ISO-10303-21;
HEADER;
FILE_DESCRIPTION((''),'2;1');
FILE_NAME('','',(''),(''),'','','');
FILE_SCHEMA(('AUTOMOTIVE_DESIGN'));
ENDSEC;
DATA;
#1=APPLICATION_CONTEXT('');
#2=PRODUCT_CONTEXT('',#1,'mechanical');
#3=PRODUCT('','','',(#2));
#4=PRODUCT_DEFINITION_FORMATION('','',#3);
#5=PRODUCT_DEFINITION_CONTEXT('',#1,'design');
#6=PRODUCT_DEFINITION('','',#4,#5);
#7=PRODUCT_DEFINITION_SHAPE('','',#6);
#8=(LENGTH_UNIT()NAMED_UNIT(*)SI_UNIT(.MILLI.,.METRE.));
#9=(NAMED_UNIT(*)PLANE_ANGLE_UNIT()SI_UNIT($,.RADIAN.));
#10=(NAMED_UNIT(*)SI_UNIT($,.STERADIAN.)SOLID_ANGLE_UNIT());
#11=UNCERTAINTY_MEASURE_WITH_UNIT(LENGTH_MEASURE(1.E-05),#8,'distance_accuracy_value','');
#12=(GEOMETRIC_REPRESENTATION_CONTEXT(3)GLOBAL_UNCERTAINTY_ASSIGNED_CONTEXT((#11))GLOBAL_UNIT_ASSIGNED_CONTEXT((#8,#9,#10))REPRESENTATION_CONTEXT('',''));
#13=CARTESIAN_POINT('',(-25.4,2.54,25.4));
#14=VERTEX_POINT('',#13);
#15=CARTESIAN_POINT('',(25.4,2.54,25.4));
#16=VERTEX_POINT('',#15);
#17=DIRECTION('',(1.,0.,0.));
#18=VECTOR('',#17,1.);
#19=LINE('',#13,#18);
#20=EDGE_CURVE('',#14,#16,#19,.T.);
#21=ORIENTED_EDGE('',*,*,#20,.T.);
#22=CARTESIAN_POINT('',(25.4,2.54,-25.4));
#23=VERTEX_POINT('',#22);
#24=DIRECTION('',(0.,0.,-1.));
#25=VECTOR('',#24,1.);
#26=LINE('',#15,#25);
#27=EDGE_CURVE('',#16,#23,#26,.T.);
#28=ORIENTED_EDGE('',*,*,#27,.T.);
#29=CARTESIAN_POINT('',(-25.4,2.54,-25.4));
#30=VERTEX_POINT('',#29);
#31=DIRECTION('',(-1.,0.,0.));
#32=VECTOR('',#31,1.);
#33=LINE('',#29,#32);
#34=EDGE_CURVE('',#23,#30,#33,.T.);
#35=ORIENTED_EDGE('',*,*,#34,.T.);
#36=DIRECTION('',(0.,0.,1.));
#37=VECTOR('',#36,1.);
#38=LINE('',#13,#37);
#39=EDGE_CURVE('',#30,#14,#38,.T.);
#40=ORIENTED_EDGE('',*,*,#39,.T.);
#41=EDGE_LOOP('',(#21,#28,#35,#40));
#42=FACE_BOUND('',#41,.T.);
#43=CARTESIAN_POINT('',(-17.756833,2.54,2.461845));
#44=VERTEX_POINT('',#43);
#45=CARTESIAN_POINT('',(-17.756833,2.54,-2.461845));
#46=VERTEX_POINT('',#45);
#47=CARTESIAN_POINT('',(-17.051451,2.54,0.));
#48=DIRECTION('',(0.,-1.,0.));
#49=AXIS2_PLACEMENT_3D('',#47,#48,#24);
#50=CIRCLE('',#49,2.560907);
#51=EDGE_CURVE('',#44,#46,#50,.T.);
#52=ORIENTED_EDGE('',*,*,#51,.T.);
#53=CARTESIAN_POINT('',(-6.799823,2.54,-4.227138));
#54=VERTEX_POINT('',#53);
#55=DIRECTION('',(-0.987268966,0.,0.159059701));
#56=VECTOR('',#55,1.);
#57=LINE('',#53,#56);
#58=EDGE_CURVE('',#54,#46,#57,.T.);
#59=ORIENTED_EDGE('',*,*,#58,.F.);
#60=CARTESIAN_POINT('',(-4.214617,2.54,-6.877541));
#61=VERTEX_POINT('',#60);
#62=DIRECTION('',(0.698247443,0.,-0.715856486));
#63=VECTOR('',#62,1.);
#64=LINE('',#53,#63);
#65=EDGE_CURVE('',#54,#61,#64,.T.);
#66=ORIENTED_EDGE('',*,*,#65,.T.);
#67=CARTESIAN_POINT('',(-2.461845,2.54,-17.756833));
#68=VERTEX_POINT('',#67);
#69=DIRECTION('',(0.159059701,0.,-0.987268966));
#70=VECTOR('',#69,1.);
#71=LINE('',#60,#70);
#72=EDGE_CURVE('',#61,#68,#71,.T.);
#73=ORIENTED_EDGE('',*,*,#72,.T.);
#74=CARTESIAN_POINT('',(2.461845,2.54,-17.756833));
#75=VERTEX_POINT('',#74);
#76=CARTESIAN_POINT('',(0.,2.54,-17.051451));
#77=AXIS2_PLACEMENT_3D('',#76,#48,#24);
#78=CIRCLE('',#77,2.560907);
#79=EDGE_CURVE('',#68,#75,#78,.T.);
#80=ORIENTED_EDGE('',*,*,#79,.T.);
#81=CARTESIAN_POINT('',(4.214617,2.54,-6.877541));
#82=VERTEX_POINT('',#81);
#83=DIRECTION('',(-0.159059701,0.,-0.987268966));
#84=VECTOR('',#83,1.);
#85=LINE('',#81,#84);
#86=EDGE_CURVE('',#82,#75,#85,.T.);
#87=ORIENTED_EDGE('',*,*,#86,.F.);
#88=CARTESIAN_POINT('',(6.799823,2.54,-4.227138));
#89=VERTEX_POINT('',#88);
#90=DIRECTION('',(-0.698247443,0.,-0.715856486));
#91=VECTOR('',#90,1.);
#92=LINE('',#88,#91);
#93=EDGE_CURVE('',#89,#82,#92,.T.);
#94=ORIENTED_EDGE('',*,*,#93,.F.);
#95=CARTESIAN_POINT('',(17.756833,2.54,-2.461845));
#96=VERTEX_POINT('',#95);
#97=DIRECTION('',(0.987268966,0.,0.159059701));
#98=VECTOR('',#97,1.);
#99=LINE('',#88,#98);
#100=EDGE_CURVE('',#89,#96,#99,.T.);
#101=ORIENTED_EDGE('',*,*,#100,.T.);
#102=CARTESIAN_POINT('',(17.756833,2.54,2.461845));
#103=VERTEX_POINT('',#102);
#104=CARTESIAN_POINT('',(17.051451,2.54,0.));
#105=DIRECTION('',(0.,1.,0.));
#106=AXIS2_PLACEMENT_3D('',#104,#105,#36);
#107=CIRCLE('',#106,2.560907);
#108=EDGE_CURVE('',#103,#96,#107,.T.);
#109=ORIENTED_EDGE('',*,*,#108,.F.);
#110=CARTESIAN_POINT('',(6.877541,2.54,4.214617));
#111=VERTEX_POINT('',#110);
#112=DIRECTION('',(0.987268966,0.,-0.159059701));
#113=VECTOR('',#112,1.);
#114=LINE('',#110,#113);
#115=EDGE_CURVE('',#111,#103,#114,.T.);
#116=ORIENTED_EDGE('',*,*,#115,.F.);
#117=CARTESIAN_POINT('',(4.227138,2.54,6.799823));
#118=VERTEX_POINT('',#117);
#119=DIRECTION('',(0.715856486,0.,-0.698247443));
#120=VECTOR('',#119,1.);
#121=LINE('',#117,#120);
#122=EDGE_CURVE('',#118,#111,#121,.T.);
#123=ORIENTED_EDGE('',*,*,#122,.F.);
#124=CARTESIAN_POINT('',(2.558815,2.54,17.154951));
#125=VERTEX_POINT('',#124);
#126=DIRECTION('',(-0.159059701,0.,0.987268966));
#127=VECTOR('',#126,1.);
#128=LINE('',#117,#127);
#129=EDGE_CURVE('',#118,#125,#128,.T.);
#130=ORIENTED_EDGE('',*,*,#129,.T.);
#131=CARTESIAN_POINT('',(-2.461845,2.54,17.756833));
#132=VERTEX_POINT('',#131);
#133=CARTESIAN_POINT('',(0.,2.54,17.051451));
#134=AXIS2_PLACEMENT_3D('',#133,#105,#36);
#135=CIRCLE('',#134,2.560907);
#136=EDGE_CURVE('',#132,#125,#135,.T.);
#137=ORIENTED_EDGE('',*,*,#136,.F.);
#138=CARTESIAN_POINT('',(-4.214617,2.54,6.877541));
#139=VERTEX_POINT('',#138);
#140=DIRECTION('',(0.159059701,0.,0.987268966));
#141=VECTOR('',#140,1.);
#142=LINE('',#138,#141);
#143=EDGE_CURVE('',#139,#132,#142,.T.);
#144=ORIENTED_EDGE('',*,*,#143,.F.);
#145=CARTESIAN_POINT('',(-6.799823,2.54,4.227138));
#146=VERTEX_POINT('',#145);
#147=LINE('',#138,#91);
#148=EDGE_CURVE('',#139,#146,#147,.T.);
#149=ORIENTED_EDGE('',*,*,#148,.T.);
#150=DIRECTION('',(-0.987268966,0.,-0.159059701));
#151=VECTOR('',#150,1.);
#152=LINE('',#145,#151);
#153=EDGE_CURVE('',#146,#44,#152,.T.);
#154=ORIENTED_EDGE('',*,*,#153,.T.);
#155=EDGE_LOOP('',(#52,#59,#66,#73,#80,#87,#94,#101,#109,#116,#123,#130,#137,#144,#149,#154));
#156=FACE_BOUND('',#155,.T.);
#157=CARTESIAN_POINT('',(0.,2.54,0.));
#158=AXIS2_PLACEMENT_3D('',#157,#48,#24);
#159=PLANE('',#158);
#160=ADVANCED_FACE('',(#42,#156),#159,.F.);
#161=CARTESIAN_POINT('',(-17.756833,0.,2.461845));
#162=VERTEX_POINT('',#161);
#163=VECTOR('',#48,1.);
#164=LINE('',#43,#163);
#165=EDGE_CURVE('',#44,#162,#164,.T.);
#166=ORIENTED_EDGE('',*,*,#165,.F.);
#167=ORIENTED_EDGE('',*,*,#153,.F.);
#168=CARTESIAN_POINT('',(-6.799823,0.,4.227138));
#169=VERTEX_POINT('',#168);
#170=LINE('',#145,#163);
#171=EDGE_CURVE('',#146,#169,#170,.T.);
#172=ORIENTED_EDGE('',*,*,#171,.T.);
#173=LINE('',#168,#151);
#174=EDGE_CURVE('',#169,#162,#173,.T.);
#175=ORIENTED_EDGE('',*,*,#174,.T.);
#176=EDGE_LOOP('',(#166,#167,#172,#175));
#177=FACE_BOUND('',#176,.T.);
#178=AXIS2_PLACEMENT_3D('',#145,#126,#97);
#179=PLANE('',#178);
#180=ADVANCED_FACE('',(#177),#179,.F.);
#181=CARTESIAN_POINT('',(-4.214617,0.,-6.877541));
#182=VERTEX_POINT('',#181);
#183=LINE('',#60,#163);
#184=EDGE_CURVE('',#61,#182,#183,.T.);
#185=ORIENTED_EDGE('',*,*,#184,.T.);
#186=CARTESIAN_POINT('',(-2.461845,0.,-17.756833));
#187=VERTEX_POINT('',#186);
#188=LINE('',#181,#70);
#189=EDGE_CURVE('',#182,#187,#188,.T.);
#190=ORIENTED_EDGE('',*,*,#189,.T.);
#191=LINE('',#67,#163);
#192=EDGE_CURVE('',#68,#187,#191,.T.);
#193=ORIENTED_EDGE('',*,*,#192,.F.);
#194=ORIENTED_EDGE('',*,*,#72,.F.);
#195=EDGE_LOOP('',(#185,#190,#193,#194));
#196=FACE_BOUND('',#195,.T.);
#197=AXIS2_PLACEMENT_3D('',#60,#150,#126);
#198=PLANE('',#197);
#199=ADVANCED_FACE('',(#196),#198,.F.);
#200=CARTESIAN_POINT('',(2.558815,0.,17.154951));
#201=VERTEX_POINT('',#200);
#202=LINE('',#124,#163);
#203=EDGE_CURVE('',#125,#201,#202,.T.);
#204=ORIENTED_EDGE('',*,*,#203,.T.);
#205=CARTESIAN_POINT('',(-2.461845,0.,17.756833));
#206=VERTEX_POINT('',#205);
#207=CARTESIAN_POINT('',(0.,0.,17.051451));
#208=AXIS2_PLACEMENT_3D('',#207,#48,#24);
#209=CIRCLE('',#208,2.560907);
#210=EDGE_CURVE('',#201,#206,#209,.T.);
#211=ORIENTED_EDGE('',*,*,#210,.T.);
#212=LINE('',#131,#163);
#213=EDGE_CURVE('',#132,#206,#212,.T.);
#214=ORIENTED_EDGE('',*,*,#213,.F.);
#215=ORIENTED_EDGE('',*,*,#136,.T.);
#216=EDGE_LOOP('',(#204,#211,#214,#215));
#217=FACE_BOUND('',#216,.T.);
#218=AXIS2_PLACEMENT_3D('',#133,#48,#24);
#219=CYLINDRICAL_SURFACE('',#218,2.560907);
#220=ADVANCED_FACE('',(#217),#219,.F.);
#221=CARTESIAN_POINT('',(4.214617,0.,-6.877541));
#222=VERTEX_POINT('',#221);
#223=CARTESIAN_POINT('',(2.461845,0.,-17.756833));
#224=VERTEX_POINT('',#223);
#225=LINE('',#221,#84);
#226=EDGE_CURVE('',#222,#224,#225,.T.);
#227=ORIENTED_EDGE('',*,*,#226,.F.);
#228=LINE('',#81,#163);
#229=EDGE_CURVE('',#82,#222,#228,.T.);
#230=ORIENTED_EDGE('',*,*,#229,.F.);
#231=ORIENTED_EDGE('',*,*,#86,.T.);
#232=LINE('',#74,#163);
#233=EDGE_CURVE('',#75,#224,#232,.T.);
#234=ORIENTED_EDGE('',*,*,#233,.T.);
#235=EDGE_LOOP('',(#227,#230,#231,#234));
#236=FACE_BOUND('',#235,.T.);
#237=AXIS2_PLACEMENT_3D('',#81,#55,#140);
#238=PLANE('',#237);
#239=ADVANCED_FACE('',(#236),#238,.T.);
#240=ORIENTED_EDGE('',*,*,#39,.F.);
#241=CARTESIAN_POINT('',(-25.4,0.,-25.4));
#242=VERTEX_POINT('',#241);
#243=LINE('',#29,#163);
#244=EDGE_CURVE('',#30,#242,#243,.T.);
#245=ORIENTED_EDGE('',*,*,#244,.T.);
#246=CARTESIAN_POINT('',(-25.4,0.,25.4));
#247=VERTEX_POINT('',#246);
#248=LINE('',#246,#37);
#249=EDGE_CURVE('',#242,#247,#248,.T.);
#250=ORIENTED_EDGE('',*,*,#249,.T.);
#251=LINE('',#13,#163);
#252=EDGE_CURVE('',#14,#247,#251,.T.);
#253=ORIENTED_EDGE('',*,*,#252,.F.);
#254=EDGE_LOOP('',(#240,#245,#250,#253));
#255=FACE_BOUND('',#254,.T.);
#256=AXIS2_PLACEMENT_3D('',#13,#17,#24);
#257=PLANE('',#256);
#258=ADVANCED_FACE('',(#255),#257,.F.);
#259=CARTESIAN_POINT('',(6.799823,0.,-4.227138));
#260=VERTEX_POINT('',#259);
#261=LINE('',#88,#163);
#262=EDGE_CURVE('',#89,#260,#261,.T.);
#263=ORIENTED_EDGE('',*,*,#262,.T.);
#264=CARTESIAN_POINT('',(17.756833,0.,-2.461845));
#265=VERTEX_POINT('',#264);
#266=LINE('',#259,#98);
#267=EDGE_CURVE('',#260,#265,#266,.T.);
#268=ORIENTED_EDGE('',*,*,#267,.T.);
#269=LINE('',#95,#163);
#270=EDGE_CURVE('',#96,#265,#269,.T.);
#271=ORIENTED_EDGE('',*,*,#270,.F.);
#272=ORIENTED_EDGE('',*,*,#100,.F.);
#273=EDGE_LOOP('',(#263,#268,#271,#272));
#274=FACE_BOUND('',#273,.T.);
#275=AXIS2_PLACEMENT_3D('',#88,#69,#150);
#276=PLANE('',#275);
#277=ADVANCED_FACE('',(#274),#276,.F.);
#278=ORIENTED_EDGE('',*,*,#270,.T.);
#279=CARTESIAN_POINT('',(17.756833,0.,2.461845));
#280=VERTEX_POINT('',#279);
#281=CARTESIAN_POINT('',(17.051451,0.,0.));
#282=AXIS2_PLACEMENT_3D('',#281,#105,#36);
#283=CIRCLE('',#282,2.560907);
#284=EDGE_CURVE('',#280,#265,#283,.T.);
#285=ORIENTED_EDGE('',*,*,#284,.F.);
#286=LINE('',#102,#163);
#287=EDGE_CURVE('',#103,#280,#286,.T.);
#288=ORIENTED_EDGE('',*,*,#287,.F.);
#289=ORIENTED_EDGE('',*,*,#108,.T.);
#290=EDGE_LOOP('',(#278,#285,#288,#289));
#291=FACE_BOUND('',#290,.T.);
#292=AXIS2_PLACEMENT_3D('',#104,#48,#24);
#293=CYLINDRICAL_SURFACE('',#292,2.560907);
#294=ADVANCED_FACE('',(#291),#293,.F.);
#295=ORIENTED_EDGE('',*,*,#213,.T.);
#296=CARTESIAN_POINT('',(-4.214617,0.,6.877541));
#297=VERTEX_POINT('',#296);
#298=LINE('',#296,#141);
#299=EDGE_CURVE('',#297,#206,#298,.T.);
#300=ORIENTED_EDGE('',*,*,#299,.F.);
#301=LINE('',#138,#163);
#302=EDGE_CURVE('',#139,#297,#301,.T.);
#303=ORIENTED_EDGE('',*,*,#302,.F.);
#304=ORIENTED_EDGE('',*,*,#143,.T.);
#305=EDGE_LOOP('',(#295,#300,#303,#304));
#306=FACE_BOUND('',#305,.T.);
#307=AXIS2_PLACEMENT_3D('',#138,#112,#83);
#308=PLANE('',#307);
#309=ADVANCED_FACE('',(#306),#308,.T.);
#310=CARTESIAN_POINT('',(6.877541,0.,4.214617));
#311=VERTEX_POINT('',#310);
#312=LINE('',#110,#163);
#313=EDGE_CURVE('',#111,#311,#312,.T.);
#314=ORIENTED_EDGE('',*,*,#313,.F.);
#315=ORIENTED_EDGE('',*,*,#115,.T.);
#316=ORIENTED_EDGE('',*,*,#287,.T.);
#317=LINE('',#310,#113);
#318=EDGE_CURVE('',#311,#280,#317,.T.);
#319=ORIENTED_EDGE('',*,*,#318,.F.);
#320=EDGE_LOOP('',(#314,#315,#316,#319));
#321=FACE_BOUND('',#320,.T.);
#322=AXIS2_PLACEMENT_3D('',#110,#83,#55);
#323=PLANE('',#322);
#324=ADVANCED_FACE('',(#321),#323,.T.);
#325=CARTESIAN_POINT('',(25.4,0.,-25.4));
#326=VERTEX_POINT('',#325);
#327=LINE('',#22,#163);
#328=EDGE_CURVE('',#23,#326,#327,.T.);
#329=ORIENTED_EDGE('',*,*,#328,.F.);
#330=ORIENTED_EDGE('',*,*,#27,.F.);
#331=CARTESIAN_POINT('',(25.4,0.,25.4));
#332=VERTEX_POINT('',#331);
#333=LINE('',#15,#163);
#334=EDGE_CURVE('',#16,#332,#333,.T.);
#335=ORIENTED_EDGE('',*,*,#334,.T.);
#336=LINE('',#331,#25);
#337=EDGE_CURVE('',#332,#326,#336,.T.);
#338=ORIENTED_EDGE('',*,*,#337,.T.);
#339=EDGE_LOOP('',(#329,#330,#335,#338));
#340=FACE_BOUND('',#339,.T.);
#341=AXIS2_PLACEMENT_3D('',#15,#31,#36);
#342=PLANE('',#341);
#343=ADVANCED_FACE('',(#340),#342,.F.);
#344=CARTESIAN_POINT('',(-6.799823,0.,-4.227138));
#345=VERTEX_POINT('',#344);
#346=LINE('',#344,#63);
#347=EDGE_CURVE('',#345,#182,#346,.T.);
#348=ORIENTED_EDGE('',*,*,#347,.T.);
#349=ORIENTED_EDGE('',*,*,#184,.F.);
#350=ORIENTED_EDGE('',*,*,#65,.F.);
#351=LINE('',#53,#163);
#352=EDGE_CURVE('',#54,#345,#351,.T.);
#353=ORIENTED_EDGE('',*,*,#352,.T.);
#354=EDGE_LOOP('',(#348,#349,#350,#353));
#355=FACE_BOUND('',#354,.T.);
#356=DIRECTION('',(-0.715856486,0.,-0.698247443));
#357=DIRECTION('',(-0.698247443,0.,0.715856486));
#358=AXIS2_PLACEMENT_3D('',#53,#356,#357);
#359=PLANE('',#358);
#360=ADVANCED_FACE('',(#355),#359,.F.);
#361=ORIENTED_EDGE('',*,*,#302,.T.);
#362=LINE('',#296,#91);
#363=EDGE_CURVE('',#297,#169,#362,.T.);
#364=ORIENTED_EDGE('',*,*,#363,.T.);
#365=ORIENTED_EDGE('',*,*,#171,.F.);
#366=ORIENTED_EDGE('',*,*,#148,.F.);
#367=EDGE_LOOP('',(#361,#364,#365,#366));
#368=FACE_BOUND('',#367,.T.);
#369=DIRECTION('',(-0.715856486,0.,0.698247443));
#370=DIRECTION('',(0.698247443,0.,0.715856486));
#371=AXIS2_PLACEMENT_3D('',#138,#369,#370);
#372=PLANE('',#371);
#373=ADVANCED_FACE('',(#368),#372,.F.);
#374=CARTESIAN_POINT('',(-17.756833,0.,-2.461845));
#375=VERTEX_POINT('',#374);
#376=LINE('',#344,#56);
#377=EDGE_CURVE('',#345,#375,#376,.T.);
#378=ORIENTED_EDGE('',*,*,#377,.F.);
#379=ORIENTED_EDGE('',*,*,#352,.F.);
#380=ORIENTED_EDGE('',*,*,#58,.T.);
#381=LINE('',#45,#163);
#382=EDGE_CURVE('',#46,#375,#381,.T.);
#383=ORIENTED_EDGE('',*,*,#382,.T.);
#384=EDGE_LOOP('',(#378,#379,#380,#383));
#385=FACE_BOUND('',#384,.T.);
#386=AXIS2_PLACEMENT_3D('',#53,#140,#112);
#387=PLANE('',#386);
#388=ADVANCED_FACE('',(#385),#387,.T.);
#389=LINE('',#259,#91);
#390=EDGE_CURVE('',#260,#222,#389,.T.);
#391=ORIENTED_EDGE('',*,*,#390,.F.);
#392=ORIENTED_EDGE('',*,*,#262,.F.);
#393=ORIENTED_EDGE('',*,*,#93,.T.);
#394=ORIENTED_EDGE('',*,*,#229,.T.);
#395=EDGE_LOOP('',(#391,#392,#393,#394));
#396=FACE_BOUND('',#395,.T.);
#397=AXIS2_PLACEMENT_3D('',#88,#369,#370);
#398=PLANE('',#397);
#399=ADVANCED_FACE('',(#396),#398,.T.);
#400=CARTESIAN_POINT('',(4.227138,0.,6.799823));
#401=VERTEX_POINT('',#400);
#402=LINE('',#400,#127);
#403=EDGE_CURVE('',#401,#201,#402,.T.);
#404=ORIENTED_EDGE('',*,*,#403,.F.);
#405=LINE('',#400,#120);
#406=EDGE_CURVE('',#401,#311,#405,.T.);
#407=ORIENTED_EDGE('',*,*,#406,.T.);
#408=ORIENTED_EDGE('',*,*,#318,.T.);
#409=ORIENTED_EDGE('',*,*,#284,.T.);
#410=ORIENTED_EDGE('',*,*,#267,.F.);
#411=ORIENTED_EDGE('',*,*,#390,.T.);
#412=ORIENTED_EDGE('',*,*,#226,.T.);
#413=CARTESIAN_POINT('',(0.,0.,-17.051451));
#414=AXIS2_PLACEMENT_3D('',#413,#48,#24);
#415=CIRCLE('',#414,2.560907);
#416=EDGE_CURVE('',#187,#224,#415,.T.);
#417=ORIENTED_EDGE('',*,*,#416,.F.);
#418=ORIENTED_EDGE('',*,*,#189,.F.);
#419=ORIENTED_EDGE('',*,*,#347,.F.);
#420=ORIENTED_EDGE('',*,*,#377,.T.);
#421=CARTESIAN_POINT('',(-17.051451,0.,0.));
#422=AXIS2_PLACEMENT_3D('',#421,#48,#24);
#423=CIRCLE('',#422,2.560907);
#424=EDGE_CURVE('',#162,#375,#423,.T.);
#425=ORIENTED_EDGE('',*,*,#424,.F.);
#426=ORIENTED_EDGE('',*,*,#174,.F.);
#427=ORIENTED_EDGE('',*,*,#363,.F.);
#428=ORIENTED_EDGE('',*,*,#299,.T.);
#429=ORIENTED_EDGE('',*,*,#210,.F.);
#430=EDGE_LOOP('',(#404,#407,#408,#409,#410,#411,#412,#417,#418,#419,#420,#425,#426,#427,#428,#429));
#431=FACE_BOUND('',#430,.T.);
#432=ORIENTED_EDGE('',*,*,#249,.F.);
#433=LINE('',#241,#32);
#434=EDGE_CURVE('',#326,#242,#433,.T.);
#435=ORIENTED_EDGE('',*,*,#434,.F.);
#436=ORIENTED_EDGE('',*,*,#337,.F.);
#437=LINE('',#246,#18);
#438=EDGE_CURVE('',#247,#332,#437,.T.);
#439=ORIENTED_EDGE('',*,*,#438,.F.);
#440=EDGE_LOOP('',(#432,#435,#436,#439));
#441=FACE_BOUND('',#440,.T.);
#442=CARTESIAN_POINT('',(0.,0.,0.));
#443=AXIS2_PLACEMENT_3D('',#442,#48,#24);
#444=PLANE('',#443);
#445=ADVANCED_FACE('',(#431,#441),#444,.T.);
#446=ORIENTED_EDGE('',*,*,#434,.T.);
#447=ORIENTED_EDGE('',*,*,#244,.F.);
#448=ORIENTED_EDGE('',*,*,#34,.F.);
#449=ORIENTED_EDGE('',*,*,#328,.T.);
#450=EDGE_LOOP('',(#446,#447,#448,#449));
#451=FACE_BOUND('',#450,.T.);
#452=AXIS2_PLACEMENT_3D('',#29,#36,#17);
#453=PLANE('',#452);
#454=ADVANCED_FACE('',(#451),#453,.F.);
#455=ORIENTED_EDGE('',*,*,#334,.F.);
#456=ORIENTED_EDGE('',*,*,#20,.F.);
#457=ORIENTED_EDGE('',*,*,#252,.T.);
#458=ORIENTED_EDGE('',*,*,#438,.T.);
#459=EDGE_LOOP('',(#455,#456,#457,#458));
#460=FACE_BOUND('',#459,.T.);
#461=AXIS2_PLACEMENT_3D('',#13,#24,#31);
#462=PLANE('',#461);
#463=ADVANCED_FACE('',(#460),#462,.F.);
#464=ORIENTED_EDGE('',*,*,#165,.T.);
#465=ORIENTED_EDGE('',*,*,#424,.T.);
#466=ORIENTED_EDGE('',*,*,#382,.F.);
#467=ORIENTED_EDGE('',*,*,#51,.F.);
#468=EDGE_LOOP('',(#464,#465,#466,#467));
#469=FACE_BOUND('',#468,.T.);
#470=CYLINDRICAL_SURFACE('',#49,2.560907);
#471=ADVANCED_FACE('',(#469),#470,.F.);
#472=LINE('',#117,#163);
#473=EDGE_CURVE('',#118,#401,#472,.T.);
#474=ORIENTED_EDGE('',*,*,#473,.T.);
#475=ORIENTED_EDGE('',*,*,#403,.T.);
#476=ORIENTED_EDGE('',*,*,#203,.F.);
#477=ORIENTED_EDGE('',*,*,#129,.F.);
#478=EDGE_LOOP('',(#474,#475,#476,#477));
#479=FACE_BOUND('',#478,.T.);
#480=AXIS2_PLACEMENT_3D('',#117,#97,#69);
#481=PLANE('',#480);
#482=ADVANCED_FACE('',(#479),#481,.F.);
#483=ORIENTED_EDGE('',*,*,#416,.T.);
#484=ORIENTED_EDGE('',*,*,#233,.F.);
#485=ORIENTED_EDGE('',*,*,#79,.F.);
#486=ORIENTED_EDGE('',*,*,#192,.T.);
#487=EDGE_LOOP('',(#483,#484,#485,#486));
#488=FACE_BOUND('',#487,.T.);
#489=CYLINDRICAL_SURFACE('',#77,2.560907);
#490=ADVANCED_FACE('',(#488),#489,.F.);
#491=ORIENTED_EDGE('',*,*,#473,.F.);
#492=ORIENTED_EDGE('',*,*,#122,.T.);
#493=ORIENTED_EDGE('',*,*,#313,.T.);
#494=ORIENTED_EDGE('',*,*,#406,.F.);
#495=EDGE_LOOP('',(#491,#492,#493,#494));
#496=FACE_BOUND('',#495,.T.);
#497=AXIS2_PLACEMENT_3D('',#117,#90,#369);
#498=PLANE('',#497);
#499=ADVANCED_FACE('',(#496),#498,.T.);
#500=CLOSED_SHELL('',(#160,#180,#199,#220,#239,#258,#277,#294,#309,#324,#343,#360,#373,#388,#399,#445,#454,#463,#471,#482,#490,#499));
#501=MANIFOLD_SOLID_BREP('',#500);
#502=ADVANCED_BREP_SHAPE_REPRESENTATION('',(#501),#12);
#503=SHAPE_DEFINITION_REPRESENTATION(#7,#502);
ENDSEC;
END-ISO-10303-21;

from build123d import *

# Parameters (mm, degrees)
SKETCH1_W           = 50.8
SKETCH1_H           = 50.8
BOSS_EXTRUDE1_DEPTH = 2.54
CUT_EXTRUDE2_DEPTH  = 2.54


with BuildPart() as part:
    # Sketch1 → Boss-Extrude1 (new body)
    with BuildSketch(Plane(origin=(0, 0, 0), x_dir=(1, 0, 0), z_dir=(0, 1, 0))):
        Rectangle(SKETCH1_W, SKETCH1_H)
    extrude(amount=BOSS_EXTRUDE1_DEPTH)

    # Sketch2 → Cut-Extrude2 (cut)
    with BuildSketch(Plane.XZ):
        with BuildLine():
            Line((-4.214616619, 6.877540553), (-6.799823365, 4.227137698))
            Line((-6.799823365, 4.227137698), (-17.756833433, 2.46184495))
            ThreePointArc((-17.756833433, 2.46184495), (-19.612357967, 0), (-17.756833433, -2.46184495))
            Line((-17.756833433, -2.46184495), (-6.799823365, -4.227137698))
            Line((-6.799823365, -4.227137698), (-4.214616619, -6.877540553))
            Line((-4.214616619, -6.877540553), (-2.46184495, -17.756833433))
            ThreePointArc((-2.46184495, -17.756833433), (0, -19.612357967), (2.46184495, -17.756833433))
            Line((2.46184495, -17.756833433), (4.214616619, -6.877540553))
            Line((4.214616619, -6.877540553), (6.799823365, -4.227137698))
            Line((6.799823365, -4.227137698), (17.756833433, -2.46184495))
            ThreePointArc((17.756833433, -2.46184495), (19.612357967, 0), (17.756833433, 2.46184495))
            Line((17.756833433, 2.46184495), (6.877540553, 4.214616619))
            Line((6.877540553, 4.214616619), (4.227137698, 6.799823365))
            Line((4.227137698, 6.799823365), (2.558814736, 17.15495087))
            ThreePointArc((2.558814736, 17.15495087), (2.557405809, 17.185318827), (2.555636489, 17.21566792))
            ThreePointArc((2.555636489, 17.21566792), (0.274616535, 19.597591266), (-2.46184495, 17.756833433))
            Line((-2.46184495, 17.756833433), (-4.214616619, 6.877540553))
        make_face()
    extrude(amount=-CUT_EXTRUDE2_DEPTH, mode=Mode.SUBTRACT)


solid = part.part
